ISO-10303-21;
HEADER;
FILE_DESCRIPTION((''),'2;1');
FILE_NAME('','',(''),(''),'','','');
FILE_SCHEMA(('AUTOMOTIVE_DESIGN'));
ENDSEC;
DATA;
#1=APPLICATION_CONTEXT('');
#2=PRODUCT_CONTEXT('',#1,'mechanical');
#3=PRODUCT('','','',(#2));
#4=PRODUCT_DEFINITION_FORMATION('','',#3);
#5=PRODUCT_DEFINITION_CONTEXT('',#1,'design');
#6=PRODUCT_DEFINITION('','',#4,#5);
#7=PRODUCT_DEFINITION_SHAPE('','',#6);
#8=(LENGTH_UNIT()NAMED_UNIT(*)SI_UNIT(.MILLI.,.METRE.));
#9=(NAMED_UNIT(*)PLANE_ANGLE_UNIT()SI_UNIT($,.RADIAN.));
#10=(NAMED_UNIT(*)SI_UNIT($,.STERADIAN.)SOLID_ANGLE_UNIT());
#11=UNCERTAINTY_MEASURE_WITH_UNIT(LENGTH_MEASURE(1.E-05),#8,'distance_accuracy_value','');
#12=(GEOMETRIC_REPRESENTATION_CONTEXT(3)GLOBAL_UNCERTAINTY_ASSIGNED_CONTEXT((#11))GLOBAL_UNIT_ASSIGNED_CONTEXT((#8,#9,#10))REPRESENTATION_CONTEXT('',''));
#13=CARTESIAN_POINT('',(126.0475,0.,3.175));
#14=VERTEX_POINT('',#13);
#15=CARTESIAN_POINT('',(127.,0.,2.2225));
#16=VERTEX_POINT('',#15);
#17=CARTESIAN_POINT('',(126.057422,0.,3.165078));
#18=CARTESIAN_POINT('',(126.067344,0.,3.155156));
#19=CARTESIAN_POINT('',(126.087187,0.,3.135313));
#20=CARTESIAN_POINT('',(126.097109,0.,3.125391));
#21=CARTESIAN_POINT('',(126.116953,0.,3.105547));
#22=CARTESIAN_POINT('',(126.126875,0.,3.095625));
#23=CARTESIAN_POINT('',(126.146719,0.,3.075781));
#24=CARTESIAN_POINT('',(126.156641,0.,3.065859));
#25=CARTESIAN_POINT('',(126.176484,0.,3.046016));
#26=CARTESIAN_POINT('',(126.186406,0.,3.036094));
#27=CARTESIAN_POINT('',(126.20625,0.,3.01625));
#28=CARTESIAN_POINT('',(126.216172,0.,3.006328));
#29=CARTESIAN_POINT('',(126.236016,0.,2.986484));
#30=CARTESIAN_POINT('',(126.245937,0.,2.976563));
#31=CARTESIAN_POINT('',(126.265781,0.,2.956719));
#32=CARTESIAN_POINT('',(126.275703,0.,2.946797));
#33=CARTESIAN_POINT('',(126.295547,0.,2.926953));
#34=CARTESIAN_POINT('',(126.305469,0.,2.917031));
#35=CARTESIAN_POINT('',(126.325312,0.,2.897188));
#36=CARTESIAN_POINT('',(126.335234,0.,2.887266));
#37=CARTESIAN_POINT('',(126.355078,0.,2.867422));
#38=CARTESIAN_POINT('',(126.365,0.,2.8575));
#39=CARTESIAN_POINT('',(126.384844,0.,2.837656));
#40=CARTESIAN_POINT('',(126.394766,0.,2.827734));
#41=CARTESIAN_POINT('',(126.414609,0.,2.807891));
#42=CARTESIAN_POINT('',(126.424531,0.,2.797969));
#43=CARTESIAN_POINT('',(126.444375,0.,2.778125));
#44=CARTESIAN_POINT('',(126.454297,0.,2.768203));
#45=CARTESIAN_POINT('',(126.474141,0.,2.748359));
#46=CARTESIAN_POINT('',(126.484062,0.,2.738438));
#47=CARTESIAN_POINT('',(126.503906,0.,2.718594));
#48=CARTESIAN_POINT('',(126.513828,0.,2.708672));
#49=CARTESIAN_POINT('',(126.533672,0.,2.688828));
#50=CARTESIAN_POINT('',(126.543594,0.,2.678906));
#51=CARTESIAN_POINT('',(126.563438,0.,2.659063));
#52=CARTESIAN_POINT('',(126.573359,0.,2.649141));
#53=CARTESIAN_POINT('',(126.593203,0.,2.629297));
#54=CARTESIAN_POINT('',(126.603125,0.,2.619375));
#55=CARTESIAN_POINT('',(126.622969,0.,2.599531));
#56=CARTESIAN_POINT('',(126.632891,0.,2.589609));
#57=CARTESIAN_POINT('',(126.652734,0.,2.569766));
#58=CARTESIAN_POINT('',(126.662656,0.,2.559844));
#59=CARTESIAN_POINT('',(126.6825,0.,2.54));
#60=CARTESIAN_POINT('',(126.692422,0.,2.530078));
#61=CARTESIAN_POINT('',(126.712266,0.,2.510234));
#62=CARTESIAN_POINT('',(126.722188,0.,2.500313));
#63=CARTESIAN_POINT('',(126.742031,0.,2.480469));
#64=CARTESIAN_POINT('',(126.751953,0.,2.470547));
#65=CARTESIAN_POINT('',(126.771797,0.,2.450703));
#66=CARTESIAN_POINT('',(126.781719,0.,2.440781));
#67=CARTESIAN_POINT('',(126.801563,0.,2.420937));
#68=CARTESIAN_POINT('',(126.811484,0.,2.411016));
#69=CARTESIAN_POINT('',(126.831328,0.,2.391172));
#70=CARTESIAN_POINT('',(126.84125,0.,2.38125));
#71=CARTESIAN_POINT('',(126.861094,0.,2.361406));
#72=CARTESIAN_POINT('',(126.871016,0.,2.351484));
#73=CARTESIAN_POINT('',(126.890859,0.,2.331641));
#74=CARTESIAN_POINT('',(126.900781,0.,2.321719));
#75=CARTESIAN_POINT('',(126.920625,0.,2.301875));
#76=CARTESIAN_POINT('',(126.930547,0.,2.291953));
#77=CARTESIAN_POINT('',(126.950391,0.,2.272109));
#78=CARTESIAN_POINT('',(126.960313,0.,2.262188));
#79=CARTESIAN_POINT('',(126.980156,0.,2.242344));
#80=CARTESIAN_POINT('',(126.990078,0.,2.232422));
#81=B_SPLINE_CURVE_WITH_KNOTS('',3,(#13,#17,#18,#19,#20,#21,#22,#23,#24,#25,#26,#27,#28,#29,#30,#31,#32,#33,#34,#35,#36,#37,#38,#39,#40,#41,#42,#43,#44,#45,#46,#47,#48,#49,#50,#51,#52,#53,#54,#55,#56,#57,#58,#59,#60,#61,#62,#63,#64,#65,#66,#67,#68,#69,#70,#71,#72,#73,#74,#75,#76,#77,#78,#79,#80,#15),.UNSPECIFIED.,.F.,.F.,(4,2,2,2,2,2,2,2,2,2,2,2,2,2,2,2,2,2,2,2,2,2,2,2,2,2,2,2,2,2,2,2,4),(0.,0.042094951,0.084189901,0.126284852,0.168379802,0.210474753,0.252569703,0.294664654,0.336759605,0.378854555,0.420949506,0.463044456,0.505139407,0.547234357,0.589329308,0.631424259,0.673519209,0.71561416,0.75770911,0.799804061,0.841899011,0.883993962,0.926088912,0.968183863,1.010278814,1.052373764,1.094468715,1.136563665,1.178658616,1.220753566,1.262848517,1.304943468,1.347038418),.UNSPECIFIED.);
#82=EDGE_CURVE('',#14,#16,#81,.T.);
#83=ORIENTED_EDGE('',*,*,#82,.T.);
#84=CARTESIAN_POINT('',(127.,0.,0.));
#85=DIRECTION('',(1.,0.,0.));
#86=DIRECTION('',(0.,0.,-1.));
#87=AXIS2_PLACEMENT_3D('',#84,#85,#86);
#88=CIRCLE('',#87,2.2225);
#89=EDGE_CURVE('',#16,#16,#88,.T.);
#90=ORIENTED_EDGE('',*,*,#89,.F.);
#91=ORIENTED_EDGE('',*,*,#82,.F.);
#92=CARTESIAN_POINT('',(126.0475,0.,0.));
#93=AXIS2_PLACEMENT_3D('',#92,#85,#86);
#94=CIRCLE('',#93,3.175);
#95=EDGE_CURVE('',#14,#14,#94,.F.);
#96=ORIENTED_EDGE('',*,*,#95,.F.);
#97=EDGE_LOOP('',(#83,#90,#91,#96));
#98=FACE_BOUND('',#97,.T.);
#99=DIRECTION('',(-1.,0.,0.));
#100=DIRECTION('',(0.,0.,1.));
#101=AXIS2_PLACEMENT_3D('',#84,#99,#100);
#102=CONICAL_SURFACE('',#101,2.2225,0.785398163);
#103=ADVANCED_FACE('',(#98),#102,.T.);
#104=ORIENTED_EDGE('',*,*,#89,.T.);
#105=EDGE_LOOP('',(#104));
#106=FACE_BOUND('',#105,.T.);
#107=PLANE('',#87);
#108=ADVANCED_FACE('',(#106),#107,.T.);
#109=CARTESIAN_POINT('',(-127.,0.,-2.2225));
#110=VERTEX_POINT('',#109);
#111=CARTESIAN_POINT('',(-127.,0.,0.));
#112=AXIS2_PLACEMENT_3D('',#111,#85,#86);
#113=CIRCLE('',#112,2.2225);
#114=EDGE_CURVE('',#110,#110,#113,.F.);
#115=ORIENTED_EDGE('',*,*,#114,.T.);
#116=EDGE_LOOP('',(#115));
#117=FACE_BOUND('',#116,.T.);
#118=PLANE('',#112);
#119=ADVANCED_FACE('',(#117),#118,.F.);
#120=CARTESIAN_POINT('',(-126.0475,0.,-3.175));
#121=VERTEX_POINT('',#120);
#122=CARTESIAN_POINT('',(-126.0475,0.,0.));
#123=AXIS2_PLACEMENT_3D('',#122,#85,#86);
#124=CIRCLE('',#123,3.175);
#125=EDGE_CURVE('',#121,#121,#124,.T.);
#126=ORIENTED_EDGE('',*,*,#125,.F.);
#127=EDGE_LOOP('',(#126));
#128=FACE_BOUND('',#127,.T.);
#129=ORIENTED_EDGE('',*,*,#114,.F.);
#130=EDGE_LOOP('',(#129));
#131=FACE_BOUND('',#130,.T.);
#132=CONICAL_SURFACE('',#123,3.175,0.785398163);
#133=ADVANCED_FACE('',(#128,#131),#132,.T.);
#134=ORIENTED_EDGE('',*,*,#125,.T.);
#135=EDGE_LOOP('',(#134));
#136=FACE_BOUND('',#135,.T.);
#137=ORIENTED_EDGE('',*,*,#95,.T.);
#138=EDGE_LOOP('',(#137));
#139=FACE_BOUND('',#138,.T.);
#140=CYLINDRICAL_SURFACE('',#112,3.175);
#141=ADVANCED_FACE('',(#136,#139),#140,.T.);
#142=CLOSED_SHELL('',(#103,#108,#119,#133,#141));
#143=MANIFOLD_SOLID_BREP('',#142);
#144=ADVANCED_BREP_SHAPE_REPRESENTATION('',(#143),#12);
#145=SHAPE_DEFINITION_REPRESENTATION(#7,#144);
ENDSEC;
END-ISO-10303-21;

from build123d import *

# Parameters (mm, degrees)
BOSS_EXTRUDE1_DEPTH      = 127
BOSS_EXTRUDE1_DEPTH_BACK = 127
SKETCH2_R                = 3.175
CHAMFER1_SIZE            = 0.9525


with BuildPart() as part:
    # Sketch2 → Boss-Extrude1 (new, two sides: drawn at the far end of the back side and taken through both)
    with BuildSketch(Plane(origin=(0, 0, 0), x_dir=(0, 0, -1), z_dir=(1, 0, 0)).offset(-BOSS_EXTRUDE1_DEPTH_BACK)):
        Circle(SKETCH2_R)
    extrude(amount=BOSS_EXTRUDE1_DEPTH + BOSS_EXTRUDE1_DEPTH_BACK)

    # Chamfer1
    chamfer1_edges = [part.edges().sort_by_distance(p)[0] for p in [
        (-127, 0, 3.175),
        (127, 0, 3.175),
    ]]
    chamfer(chamfer1_edges, length=CHAMFER1_SIZE)


solid = part.part
